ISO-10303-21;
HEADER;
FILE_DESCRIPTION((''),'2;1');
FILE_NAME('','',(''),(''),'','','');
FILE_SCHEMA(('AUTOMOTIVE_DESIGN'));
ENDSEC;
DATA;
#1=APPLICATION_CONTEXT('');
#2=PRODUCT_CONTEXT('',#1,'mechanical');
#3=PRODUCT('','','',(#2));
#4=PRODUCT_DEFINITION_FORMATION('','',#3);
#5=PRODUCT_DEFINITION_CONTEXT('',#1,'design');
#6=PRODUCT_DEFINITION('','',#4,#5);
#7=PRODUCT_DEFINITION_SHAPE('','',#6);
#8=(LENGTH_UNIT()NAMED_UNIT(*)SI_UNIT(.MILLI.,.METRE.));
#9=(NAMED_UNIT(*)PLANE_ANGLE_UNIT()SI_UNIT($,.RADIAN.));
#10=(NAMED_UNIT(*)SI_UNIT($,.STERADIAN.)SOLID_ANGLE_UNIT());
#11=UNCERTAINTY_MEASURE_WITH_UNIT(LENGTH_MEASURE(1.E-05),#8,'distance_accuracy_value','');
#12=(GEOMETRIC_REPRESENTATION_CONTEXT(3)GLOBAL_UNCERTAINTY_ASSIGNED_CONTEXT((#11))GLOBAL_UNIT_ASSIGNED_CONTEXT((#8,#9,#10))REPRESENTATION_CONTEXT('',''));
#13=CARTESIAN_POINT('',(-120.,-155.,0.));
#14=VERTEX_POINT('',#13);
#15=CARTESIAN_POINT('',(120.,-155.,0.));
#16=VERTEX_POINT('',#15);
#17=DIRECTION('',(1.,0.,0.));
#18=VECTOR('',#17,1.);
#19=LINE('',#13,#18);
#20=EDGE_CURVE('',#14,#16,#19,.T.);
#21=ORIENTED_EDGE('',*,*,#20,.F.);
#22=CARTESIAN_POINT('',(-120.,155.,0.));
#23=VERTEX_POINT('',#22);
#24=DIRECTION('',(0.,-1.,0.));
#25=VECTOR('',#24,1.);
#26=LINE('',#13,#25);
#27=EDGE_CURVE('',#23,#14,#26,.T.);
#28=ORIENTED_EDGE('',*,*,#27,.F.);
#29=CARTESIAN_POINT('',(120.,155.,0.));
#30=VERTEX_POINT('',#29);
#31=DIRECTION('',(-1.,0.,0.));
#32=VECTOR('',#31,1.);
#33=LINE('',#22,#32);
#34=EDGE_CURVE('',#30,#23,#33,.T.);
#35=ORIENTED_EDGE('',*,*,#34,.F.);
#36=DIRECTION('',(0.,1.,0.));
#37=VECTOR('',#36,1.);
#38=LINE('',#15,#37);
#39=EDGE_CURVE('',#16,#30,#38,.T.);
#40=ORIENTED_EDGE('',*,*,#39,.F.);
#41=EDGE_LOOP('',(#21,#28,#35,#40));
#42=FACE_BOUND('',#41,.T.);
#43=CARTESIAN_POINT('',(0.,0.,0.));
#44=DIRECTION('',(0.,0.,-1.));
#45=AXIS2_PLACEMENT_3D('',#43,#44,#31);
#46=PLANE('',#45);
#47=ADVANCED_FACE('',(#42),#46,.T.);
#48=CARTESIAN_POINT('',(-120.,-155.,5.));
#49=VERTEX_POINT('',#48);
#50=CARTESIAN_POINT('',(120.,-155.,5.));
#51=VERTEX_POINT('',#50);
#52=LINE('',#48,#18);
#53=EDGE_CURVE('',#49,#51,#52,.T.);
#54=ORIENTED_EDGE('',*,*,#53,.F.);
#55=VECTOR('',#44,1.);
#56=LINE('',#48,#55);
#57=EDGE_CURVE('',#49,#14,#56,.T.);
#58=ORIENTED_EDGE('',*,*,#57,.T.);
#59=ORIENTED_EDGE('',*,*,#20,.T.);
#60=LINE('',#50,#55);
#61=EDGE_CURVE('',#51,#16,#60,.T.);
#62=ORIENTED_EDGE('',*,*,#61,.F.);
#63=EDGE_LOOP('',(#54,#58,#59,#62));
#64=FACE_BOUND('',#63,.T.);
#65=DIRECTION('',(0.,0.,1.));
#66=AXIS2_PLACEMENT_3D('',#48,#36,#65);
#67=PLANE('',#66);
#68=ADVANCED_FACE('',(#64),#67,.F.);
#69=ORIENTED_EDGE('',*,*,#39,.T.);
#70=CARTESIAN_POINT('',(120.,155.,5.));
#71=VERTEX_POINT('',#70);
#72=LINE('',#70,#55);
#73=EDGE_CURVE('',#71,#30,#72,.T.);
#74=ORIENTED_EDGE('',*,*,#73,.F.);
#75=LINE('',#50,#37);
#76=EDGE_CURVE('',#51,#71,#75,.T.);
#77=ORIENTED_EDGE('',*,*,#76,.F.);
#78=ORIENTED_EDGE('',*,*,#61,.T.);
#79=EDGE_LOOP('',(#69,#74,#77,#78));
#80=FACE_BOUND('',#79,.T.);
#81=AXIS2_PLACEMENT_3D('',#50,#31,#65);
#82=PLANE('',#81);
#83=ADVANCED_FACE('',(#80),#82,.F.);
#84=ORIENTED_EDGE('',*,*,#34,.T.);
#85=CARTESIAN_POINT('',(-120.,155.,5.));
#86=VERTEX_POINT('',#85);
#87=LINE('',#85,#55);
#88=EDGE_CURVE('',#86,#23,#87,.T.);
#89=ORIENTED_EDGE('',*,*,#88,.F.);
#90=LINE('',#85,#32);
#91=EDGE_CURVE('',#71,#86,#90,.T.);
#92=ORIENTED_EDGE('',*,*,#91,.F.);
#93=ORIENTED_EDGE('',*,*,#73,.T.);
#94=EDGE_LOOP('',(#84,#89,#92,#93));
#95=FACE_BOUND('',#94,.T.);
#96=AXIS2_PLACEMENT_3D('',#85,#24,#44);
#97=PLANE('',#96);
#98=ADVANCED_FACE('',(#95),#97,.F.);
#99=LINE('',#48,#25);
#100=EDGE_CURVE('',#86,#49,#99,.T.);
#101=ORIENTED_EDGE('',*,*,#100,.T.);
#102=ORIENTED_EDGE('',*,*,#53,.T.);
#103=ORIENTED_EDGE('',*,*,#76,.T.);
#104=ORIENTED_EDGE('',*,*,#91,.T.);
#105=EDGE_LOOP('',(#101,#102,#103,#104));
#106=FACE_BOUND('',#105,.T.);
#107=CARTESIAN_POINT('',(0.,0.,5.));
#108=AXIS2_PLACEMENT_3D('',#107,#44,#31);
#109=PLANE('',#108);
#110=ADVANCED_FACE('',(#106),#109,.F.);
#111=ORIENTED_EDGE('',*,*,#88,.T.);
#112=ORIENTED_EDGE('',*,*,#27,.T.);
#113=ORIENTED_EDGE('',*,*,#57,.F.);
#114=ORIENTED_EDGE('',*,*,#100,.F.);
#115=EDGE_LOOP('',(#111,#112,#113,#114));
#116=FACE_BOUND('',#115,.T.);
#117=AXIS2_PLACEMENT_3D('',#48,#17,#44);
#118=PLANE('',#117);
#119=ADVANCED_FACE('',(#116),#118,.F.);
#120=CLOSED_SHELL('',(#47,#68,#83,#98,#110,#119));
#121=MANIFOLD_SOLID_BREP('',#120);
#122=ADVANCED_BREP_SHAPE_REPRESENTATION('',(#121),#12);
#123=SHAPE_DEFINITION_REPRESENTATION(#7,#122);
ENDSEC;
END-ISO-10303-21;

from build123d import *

# Parameters (mm, degrees)
ESQUISSE1_W        = 240
ESQUISSE1_H        = 310
BOSS_EXTRU_1_DEPTH = 5


with BuildPart() as part:
    # Esquisse1 → Boss.-Extru.1 (new body)
    with BuildSketch(Plane.XY):
        Rectangle(ESQUISSE1_W, ESQUISSE1_H)
    extrude(amount=BOSS_EXTRU_1_DEPTH)


solid = part.part
